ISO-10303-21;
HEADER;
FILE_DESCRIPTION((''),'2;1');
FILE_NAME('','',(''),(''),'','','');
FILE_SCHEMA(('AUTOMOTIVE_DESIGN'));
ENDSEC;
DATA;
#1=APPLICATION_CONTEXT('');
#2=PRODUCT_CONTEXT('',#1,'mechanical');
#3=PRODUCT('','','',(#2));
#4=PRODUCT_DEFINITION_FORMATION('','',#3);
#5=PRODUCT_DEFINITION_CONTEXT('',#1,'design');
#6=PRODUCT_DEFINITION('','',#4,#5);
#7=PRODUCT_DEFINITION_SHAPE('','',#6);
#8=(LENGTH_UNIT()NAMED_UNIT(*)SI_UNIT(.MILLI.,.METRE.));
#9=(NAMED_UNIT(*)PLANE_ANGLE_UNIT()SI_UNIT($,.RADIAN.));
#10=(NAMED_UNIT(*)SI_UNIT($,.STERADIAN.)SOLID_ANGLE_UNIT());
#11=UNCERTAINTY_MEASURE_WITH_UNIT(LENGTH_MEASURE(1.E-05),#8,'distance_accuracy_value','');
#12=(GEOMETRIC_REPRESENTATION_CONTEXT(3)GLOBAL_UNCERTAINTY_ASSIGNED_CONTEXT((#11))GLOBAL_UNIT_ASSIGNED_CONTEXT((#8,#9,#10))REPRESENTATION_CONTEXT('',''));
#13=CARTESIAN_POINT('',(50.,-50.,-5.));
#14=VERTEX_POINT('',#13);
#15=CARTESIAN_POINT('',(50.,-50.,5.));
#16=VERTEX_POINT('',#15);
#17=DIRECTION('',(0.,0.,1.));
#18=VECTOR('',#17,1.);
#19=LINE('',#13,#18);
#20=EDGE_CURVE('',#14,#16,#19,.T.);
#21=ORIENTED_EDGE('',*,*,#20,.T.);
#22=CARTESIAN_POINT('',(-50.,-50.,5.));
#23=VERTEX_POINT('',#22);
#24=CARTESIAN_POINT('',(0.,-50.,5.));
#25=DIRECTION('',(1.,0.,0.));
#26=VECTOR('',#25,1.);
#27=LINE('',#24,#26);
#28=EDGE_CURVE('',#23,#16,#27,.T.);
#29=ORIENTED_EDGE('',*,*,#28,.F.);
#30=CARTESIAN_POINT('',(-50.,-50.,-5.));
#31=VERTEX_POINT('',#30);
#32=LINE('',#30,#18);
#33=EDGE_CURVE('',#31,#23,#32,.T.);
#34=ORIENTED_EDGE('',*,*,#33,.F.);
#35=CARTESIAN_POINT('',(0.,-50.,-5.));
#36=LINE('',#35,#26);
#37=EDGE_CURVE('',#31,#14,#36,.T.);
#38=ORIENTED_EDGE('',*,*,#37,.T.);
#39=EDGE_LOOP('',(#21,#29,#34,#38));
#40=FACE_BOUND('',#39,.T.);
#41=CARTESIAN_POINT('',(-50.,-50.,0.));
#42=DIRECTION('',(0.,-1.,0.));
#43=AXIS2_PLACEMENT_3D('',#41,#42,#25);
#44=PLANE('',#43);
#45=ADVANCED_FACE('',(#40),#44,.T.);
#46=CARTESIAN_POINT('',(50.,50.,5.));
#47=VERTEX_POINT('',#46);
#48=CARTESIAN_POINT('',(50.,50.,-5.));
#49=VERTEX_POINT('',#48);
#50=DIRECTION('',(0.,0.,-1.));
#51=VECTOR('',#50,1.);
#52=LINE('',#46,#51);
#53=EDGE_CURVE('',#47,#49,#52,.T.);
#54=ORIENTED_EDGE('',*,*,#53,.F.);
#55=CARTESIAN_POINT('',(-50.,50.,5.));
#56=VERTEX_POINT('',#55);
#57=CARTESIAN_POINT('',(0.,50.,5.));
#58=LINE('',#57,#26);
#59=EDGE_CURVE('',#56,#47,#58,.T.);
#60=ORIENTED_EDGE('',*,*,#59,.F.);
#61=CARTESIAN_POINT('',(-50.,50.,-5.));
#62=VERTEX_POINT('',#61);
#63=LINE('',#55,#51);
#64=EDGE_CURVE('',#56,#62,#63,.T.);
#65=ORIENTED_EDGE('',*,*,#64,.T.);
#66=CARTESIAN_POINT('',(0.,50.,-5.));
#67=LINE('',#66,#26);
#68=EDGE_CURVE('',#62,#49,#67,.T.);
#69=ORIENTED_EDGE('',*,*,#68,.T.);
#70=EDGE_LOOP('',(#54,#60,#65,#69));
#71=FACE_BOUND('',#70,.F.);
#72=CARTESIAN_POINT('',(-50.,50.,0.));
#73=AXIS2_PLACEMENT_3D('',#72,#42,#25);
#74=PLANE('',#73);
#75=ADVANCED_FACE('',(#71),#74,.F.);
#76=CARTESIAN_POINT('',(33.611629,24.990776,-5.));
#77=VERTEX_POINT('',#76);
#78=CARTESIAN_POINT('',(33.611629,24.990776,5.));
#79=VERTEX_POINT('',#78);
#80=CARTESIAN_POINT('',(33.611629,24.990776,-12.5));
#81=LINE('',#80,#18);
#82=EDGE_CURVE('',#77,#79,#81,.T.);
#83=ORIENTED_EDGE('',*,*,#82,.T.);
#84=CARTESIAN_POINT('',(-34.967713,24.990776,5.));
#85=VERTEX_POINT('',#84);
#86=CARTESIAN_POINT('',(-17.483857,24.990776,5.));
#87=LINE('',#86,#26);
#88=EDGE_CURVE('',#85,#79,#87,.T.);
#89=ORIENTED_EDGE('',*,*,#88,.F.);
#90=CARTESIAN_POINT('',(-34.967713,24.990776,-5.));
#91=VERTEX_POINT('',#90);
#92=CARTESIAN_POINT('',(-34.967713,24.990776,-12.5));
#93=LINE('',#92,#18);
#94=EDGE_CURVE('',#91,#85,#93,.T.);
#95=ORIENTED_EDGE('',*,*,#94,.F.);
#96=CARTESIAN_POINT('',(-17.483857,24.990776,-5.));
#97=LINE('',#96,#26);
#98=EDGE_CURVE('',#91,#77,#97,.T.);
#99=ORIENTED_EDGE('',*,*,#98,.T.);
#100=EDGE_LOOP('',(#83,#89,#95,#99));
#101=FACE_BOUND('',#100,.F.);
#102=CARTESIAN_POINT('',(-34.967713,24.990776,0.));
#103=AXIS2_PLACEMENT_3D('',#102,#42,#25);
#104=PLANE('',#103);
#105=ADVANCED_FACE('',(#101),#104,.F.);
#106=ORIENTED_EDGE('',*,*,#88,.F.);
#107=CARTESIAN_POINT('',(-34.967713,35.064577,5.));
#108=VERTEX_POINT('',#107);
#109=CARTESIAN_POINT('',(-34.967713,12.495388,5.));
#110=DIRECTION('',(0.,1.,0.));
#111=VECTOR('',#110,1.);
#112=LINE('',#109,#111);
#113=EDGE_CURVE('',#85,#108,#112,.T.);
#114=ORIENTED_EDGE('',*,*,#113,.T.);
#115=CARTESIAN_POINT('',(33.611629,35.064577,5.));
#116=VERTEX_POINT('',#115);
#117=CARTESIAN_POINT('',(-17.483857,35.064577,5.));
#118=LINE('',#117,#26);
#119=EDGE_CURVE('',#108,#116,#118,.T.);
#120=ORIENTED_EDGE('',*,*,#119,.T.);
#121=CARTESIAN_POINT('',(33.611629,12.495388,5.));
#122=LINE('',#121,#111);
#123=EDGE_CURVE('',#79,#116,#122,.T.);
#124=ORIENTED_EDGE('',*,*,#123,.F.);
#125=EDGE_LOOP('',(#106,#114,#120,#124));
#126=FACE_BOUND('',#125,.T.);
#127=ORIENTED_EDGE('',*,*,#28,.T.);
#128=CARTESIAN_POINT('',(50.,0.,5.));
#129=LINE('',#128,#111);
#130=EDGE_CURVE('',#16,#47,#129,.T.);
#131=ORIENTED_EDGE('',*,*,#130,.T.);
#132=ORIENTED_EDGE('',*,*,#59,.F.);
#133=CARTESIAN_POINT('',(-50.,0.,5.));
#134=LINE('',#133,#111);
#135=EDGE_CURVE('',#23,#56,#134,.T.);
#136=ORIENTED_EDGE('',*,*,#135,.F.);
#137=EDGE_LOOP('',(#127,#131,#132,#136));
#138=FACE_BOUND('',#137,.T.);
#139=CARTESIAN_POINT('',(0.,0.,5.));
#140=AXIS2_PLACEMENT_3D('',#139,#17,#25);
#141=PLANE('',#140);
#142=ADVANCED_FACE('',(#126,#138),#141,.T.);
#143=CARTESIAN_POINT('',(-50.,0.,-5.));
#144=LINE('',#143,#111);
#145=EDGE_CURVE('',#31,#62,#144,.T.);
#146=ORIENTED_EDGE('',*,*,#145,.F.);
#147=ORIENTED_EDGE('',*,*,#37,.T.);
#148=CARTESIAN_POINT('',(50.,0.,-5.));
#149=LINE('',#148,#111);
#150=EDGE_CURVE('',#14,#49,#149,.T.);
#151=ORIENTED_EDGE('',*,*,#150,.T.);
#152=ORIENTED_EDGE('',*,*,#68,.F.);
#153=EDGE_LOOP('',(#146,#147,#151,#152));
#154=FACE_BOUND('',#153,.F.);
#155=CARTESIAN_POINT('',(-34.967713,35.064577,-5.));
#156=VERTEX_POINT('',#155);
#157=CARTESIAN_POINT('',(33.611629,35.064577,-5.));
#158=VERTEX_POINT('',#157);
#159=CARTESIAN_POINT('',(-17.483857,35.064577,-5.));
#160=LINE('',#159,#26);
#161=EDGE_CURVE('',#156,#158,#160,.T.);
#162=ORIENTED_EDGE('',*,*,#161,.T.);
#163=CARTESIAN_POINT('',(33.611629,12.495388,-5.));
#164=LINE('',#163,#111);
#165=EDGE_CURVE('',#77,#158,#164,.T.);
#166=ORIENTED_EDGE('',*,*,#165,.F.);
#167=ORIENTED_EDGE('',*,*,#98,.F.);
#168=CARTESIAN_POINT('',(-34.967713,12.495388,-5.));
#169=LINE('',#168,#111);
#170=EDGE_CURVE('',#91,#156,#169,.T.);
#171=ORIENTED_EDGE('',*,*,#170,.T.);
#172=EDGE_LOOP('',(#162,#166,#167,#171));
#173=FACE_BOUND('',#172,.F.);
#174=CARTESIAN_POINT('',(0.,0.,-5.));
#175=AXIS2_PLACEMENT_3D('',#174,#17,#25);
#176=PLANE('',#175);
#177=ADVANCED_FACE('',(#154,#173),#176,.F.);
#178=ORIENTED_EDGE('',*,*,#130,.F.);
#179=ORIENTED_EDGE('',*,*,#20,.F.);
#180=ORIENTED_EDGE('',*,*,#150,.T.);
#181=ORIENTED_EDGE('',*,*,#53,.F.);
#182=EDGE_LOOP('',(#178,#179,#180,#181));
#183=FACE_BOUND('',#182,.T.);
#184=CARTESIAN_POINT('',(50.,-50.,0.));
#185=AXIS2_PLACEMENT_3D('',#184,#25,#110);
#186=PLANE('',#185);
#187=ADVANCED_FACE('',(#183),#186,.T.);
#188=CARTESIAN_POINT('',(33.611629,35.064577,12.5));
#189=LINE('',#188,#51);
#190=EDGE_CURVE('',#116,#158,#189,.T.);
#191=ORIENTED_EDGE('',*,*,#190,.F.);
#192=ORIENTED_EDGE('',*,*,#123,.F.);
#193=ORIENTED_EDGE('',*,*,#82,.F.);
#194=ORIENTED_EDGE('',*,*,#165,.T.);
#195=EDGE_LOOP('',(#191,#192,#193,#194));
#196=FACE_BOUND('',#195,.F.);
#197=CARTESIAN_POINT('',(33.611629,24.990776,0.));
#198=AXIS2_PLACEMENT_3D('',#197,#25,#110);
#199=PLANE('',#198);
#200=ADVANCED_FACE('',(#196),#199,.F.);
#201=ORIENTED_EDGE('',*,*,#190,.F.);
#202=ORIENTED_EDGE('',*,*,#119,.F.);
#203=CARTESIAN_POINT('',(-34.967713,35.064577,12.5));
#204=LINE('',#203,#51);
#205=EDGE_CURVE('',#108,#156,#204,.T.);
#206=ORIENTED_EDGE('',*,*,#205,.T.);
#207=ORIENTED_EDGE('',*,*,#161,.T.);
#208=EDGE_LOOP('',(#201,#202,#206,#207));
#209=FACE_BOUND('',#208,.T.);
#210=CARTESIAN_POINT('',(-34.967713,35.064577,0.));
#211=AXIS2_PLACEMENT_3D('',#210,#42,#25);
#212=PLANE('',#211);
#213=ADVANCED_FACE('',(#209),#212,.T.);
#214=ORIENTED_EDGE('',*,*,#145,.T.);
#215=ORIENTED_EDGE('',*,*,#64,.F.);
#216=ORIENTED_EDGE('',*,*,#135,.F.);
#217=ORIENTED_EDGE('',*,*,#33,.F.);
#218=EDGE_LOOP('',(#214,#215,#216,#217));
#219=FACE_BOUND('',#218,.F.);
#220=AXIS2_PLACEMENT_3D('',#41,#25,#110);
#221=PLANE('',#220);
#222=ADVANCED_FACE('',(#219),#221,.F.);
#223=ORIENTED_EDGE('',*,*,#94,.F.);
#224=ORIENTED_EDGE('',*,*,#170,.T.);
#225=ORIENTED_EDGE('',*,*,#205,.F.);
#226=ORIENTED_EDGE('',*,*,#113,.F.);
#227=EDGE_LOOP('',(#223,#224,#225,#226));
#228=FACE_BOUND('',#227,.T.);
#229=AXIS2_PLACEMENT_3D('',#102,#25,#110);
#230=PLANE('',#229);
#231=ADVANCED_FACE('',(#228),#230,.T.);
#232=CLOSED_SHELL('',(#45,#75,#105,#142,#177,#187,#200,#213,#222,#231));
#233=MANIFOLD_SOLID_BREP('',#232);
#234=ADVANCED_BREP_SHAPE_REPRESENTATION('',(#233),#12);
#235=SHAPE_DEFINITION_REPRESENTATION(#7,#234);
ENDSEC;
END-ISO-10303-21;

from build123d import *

# Parameters (mm, degrees)
F0_W     = 100
F0_H     = 100
F1_DEPTH = 5
F2_W     = 68.579342
F2_H     = 10.073801
F3_DEPTH = 12.5


with BuildPart() as f1:
    # F0 (on Top) → F1 (new body, symmetric)
    with BuildSketch(Plane.XY):
        Rectangle(F0_W, F0_H)
    extrude(amount=F1_DEPTH, both=True)

    # F2 (on Top) → F3 (cut, symmetric)
    with BuildSketch(Plane.XY):
        with Locations((-0.678042, 30.027677)):
            Rectangle(F2_W, F2_H)
    extrude(amount=F3_DEPTH, both=True, mode=Mode.SUBTRACT)


solid = f1.part
